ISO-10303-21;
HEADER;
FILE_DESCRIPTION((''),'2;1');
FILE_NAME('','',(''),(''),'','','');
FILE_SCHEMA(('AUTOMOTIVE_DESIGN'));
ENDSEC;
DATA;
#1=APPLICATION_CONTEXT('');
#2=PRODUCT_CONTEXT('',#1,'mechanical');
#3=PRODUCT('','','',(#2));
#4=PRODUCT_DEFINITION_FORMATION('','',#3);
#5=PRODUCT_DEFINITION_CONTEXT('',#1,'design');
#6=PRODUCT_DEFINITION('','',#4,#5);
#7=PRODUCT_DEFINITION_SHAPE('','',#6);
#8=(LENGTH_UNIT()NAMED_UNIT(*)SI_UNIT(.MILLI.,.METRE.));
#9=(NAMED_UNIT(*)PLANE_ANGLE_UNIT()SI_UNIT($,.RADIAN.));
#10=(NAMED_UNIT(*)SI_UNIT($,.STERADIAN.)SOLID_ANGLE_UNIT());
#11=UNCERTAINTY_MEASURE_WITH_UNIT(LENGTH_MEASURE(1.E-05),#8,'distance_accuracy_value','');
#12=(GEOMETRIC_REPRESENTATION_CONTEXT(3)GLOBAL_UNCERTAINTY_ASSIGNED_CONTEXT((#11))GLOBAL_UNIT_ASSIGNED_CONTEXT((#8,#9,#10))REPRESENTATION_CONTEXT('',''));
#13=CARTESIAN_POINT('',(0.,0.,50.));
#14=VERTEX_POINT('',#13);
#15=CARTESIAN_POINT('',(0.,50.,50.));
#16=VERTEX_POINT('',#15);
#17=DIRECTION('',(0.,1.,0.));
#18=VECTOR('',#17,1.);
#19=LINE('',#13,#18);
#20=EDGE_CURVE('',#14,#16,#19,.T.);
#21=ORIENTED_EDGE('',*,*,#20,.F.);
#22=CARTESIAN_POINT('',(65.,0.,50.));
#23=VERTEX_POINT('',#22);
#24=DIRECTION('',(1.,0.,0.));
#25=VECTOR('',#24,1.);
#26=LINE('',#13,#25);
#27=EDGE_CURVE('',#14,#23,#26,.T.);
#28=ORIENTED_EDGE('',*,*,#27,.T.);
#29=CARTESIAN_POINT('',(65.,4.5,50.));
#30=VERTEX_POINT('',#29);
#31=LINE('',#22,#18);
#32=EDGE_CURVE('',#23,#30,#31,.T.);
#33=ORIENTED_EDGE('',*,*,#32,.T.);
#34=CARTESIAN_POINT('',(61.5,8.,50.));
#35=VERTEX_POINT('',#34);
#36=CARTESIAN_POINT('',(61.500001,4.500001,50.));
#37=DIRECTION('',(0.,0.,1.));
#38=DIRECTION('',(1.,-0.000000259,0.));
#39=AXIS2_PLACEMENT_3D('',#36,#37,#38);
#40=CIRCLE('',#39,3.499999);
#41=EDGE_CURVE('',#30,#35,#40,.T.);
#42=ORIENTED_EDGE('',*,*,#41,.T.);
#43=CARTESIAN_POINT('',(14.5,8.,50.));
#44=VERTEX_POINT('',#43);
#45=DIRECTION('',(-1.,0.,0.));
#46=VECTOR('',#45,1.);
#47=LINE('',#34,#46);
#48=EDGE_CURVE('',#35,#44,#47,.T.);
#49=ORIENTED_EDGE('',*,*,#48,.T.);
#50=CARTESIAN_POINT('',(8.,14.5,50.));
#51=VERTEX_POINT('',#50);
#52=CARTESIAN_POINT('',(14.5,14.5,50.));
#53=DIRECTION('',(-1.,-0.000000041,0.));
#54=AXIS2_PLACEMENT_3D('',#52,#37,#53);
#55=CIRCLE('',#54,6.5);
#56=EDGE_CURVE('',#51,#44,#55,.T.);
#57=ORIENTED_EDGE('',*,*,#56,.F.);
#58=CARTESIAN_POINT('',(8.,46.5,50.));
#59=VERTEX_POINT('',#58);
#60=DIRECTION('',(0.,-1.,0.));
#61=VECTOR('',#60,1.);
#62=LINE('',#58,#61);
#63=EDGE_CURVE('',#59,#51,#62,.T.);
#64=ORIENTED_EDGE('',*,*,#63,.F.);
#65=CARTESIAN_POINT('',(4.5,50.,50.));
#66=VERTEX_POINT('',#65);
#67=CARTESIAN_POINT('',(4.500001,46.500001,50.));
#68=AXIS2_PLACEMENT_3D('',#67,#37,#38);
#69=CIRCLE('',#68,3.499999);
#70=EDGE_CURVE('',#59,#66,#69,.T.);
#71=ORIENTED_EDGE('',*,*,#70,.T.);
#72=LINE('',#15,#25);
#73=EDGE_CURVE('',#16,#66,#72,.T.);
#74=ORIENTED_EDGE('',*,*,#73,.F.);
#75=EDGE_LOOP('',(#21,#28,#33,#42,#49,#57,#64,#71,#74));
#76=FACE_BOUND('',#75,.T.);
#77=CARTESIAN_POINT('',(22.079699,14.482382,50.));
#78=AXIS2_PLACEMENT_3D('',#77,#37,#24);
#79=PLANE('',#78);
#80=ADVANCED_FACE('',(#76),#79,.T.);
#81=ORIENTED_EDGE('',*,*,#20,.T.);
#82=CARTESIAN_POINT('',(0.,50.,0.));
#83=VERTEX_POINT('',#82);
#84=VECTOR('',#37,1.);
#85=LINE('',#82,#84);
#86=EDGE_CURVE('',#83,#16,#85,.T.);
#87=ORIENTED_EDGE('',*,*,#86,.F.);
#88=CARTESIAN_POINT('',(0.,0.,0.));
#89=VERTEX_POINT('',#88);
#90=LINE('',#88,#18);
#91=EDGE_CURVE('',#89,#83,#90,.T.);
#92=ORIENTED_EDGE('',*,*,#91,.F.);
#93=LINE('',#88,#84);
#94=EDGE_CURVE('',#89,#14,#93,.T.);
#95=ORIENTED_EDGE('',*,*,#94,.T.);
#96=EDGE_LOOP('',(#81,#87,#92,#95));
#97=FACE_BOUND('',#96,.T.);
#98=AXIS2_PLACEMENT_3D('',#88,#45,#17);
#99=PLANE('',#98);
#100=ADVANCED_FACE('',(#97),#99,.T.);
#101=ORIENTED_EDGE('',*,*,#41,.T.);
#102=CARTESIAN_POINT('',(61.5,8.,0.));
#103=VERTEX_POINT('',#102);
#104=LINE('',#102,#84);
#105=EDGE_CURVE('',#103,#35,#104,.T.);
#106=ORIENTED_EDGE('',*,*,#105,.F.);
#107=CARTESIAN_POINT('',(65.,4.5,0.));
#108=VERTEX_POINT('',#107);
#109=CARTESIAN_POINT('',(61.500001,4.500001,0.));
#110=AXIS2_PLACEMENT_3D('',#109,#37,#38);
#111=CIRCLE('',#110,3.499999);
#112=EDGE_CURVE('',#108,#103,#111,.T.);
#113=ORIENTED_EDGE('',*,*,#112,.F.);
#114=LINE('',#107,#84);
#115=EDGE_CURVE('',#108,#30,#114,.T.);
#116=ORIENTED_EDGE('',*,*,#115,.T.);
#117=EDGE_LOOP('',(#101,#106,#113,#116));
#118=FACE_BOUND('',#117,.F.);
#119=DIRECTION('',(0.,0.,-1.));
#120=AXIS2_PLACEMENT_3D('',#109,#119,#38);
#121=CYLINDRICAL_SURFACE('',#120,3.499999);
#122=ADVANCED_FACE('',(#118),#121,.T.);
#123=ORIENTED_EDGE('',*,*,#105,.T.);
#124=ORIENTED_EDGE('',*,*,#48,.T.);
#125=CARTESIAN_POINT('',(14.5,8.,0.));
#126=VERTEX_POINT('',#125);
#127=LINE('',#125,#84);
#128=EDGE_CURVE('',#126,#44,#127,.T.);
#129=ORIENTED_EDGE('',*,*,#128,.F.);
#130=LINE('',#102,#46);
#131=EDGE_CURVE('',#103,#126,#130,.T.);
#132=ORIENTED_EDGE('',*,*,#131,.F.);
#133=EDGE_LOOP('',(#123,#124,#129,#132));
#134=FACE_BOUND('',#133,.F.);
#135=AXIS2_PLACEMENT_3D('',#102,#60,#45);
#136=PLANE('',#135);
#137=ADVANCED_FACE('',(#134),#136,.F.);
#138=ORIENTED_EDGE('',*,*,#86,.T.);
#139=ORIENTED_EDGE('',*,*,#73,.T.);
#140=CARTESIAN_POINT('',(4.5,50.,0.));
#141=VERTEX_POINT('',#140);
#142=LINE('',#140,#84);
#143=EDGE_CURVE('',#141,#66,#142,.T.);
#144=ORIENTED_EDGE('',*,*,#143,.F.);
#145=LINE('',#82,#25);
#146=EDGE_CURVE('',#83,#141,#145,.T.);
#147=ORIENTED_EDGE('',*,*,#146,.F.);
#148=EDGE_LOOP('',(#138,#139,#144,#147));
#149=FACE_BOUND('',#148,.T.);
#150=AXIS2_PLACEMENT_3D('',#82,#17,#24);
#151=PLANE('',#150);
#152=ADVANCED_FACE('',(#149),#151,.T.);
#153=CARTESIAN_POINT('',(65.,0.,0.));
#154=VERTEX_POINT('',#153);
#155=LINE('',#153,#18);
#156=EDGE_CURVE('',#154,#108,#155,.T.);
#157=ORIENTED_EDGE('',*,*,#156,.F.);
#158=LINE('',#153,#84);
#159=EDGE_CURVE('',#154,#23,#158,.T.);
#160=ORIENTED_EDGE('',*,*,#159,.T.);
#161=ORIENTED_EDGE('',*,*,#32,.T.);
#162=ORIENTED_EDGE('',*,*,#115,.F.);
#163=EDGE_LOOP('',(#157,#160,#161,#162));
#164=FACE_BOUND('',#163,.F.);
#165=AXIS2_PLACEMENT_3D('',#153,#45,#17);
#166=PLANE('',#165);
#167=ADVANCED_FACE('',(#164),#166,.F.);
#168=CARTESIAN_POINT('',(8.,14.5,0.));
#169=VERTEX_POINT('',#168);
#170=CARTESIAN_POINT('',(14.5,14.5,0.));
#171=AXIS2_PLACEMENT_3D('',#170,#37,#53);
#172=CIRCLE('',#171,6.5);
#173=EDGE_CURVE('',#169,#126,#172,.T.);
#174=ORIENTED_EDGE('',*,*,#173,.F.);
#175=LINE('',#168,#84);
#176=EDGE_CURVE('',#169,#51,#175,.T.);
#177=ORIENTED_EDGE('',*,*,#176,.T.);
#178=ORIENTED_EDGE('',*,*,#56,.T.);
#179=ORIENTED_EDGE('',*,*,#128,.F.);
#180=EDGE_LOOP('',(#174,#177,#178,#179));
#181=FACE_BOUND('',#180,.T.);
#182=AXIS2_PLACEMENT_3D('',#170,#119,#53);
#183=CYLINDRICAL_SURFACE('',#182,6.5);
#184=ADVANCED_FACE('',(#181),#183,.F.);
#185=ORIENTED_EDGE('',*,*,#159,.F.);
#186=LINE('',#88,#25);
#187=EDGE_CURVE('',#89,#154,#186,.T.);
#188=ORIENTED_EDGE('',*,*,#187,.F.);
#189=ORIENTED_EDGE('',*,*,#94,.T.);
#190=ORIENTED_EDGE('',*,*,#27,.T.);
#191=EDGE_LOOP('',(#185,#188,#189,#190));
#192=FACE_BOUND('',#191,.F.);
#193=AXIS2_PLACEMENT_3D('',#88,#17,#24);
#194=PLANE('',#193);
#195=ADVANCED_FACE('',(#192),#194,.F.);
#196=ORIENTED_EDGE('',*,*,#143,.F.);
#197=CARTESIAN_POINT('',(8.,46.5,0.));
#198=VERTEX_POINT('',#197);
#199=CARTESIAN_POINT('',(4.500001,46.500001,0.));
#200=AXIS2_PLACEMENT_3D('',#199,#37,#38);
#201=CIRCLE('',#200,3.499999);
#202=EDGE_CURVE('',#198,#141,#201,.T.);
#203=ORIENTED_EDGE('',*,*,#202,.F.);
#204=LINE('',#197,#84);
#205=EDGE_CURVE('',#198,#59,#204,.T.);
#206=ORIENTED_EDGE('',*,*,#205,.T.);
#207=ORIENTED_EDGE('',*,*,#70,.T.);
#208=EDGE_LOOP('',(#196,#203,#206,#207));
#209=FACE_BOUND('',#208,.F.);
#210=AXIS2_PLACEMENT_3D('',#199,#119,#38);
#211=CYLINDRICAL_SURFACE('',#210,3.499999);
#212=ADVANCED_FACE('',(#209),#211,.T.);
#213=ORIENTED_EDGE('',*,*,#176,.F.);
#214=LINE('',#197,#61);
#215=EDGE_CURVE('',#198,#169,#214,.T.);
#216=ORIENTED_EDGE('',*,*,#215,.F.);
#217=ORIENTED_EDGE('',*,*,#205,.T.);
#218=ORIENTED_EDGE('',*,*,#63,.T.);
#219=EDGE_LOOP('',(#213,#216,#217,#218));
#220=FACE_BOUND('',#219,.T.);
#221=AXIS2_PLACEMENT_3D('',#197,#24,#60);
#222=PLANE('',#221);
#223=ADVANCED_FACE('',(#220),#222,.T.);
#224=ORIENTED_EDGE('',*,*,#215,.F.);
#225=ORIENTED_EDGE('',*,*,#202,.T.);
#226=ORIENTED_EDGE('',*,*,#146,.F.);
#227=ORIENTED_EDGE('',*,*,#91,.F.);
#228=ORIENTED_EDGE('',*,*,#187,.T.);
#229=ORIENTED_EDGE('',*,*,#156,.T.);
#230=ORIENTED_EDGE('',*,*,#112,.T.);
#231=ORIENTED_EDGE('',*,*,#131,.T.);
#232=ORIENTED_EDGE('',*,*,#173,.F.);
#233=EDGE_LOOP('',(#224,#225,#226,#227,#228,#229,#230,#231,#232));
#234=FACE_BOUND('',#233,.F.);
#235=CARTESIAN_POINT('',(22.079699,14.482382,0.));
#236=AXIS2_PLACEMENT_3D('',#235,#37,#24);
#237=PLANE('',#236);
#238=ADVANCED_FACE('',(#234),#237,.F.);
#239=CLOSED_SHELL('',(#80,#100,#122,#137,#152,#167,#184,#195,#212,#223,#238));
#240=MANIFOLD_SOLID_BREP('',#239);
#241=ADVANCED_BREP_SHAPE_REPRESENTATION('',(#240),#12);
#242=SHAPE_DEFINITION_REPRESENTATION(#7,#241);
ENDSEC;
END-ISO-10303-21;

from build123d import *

# Parameters (mm, degrees)
EXTRUDE_DEPTH = 50


with BuildPart() as part:
    # Sketch → Extrude (new body)
    with BuildSketch(Plane.XY):
        with BuildLine():
            Line((0, 0), (65, 0))
            Line((65, 0), (65, 4.5))
            ThreePointArc((65, 4.5), (63.974874, 6.974874), (61.5, 8))
            Line((61.5, 8), (14.5, 8))
            ThreePointArc((8, 14.5), (9.903806, 9.903806), (14.5, 8))
            Line((8, 46.5), (8, 14.5))
            ThreePointArc((8, 46.5), (6.974874, 48.974874), (4.5, 50))
            Line((0, 50), (4.5, 50))
            Line((0, 0), (0, 50))
        make_face()
    extrude(amount=EXTRUDE_DEPTH)


solid = part.part
